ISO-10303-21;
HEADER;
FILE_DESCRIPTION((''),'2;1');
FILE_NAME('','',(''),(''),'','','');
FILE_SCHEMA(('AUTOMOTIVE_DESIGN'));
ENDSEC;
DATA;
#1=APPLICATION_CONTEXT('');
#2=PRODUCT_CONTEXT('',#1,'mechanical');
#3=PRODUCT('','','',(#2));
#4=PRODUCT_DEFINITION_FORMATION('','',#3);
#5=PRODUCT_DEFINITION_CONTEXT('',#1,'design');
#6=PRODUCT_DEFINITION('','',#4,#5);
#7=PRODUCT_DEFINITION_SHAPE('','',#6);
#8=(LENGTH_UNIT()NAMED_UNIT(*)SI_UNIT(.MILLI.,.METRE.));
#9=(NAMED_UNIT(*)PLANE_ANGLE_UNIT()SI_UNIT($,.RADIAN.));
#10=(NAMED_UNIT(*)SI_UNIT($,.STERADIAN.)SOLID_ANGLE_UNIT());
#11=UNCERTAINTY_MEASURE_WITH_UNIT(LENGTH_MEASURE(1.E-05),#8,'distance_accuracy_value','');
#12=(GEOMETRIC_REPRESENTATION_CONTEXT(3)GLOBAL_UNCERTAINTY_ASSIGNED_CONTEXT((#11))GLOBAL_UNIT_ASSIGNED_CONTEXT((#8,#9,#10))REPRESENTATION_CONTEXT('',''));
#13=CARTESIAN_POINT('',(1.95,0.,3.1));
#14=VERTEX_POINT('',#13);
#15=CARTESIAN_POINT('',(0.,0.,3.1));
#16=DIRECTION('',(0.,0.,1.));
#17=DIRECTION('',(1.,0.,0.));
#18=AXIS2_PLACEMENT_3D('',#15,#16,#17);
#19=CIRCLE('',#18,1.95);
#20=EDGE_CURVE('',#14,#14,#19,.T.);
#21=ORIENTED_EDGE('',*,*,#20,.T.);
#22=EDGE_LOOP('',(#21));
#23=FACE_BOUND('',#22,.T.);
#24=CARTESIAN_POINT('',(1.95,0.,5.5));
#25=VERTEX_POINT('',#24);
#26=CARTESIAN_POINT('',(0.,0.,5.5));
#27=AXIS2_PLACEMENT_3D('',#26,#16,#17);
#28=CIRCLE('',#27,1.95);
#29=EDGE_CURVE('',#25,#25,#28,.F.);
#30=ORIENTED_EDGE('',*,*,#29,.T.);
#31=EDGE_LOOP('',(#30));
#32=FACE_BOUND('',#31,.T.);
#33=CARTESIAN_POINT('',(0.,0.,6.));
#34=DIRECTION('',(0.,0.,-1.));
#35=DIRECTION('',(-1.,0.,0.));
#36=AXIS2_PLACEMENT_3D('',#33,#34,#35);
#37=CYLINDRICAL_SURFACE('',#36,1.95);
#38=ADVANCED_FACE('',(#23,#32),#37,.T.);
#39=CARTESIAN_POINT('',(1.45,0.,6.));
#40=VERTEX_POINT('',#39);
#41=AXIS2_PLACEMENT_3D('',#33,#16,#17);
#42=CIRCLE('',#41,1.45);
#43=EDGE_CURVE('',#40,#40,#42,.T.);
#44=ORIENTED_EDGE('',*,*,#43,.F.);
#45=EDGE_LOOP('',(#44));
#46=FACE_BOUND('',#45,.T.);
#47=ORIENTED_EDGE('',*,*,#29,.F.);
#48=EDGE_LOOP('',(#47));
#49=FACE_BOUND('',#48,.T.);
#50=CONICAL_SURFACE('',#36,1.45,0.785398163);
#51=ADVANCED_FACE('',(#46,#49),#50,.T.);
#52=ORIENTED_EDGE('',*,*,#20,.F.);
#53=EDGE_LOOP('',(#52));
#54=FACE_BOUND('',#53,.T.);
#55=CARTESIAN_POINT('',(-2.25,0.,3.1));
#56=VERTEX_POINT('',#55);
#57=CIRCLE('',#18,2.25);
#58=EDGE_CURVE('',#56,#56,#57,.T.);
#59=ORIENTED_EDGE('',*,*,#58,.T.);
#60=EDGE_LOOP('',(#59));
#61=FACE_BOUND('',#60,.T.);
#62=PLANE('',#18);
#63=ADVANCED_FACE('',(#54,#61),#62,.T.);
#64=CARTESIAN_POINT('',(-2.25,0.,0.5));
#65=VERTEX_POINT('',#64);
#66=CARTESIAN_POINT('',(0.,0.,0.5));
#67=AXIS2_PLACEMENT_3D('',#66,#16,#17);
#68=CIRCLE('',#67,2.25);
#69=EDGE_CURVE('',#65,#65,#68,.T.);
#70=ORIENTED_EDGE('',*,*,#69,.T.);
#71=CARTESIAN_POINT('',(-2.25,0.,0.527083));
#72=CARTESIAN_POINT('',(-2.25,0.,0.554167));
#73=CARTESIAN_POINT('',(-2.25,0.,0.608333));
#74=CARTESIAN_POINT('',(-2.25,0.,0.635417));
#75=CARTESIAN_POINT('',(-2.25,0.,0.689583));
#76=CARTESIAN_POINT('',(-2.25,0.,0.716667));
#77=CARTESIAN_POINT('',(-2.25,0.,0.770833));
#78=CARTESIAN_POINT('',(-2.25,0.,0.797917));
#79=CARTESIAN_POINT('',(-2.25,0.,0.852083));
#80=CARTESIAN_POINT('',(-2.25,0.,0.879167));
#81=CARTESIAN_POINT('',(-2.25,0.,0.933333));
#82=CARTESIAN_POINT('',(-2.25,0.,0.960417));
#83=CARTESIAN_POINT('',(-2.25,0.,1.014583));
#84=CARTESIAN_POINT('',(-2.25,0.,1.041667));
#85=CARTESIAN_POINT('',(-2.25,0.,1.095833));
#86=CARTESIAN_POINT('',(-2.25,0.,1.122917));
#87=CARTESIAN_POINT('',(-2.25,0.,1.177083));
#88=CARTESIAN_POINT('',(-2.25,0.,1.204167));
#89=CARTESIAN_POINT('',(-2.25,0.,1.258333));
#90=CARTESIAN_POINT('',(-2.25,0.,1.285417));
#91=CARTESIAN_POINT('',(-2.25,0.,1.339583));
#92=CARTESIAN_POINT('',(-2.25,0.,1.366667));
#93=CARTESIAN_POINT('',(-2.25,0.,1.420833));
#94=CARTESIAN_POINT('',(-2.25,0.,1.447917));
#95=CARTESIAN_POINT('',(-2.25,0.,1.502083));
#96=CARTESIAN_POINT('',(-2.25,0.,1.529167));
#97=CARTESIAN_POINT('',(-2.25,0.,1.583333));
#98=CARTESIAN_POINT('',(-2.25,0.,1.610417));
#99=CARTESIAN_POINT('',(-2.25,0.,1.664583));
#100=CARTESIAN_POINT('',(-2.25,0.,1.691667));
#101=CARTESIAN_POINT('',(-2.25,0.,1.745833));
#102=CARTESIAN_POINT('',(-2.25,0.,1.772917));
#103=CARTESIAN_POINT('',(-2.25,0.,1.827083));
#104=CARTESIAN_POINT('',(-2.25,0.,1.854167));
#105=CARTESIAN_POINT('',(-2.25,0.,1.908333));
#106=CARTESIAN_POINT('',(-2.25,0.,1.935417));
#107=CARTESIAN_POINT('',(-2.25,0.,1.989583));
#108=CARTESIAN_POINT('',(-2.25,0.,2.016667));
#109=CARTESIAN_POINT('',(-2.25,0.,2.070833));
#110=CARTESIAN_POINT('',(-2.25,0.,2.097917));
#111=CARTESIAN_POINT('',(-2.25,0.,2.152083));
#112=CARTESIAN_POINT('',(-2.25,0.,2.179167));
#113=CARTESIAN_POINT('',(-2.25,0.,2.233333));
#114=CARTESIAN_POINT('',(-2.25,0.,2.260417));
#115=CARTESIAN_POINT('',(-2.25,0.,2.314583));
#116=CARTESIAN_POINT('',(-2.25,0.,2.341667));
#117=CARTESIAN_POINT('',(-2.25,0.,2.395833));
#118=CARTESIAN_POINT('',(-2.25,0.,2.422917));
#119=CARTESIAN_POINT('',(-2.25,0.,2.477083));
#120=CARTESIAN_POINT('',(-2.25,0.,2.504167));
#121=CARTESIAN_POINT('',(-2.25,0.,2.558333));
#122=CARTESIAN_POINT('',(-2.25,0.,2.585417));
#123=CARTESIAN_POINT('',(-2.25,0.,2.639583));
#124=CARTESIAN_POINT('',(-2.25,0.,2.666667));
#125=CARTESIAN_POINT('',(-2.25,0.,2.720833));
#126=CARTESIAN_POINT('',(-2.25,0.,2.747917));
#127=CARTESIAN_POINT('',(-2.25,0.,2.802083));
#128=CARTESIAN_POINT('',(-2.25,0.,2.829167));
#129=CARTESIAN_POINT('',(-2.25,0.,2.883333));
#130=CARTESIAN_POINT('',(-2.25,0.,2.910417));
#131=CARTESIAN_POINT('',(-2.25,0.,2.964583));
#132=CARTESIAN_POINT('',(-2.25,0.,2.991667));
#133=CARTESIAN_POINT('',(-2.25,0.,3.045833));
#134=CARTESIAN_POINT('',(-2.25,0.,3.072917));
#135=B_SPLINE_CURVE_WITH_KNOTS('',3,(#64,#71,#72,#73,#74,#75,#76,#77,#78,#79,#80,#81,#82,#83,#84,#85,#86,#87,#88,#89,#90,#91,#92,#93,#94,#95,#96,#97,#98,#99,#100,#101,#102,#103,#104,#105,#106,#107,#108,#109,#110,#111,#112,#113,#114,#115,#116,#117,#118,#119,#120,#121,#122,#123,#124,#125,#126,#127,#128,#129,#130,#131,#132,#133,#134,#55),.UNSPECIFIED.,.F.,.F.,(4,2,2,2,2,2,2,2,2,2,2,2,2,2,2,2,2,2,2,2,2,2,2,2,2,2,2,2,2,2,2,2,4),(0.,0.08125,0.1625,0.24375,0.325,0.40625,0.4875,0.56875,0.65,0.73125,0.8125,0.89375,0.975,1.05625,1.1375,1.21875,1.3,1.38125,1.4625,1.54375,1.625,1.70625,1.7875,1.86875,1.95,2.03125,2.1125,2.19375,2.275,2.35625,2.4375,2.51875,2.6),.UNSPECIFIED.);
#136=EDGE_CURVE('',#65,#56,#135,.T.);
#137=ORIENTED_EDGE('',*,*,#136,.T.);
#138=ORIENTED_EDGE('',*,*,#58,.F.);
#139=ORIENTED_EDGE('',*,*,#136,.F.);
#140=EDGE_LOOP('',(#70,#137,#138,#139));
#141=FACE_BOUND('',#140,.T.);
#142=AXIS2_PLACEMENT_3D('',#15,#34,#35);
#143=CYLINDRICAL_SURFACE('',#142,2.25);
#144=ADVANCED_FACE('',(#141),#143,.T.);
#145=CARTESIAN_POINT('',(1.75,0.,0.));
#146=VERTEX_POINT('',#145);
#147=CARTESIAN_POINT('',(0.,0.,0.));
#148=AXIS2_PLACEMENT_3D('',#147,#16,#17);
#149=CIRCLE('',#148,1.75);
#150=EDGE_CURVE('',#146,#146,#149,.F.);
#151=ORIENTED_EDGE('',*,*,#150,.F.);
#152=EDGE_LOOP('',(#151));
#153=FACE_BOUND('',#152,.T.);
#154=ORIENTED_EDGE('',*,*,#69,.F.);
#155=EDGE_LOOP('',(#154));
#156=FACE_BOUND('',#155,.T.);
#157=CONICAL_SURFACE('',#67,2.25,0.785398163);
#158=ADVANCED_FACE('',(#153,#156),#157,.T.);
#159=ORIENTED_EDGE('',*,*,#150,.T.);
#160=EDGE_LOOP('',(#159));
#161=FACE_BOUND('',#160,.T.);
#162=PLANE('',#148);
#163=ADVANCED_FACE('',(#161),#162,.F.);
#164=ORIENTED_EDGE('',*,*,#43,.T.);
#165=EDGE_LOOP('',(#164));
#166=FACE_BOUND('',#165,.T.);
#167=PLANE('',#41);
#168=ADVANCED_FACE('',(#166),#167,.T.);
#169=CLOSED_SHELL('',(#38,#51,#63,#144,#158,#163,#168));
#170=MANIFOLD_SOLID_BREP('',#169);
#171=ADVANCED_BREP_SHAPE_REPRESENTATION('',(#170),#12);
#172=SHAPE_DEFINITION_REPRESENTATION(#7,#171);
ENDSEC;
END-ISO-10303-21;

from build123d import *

# Parameters (mm, degrees)
SKETCH_1_R      = 2.25
EXTRUDE_1_DEPTH = 3.1
SKETCH_2_R      = 1.95
EXTRUDE_2_DEPTH = 2.9
CHAMFER_1_SIZE  = 0.5


with BuildPart() as part:
    # 草图1 → 拉伸1 (new body)
    with BuildSketch(Plane.XY):
        with Locations(Location((0, 0, 0), (0, 0, 180))):
            Circle(SKETCH_1_R)
    extrude(amount=EXTRUDE_1_DEPTH)

    # 草图2 → 拉伸2 (add)
    with BuildSketch(Plane.XY.offset(3.1)):
        Circle(SKETCH_2_R)
    extrude(amount=EXTRUDE_2_DEPTH)

    # 倒角1
    chamfer_1_edges = [part.edges().sort_by_distance(p)[0] for p in [
        (2.25, 0, 0),
        (-1.95, 0, 6),
    ]]
    chamfer(chamfer_1_edges, length=CHAMFER_1_SIZE)


solid = part.part
